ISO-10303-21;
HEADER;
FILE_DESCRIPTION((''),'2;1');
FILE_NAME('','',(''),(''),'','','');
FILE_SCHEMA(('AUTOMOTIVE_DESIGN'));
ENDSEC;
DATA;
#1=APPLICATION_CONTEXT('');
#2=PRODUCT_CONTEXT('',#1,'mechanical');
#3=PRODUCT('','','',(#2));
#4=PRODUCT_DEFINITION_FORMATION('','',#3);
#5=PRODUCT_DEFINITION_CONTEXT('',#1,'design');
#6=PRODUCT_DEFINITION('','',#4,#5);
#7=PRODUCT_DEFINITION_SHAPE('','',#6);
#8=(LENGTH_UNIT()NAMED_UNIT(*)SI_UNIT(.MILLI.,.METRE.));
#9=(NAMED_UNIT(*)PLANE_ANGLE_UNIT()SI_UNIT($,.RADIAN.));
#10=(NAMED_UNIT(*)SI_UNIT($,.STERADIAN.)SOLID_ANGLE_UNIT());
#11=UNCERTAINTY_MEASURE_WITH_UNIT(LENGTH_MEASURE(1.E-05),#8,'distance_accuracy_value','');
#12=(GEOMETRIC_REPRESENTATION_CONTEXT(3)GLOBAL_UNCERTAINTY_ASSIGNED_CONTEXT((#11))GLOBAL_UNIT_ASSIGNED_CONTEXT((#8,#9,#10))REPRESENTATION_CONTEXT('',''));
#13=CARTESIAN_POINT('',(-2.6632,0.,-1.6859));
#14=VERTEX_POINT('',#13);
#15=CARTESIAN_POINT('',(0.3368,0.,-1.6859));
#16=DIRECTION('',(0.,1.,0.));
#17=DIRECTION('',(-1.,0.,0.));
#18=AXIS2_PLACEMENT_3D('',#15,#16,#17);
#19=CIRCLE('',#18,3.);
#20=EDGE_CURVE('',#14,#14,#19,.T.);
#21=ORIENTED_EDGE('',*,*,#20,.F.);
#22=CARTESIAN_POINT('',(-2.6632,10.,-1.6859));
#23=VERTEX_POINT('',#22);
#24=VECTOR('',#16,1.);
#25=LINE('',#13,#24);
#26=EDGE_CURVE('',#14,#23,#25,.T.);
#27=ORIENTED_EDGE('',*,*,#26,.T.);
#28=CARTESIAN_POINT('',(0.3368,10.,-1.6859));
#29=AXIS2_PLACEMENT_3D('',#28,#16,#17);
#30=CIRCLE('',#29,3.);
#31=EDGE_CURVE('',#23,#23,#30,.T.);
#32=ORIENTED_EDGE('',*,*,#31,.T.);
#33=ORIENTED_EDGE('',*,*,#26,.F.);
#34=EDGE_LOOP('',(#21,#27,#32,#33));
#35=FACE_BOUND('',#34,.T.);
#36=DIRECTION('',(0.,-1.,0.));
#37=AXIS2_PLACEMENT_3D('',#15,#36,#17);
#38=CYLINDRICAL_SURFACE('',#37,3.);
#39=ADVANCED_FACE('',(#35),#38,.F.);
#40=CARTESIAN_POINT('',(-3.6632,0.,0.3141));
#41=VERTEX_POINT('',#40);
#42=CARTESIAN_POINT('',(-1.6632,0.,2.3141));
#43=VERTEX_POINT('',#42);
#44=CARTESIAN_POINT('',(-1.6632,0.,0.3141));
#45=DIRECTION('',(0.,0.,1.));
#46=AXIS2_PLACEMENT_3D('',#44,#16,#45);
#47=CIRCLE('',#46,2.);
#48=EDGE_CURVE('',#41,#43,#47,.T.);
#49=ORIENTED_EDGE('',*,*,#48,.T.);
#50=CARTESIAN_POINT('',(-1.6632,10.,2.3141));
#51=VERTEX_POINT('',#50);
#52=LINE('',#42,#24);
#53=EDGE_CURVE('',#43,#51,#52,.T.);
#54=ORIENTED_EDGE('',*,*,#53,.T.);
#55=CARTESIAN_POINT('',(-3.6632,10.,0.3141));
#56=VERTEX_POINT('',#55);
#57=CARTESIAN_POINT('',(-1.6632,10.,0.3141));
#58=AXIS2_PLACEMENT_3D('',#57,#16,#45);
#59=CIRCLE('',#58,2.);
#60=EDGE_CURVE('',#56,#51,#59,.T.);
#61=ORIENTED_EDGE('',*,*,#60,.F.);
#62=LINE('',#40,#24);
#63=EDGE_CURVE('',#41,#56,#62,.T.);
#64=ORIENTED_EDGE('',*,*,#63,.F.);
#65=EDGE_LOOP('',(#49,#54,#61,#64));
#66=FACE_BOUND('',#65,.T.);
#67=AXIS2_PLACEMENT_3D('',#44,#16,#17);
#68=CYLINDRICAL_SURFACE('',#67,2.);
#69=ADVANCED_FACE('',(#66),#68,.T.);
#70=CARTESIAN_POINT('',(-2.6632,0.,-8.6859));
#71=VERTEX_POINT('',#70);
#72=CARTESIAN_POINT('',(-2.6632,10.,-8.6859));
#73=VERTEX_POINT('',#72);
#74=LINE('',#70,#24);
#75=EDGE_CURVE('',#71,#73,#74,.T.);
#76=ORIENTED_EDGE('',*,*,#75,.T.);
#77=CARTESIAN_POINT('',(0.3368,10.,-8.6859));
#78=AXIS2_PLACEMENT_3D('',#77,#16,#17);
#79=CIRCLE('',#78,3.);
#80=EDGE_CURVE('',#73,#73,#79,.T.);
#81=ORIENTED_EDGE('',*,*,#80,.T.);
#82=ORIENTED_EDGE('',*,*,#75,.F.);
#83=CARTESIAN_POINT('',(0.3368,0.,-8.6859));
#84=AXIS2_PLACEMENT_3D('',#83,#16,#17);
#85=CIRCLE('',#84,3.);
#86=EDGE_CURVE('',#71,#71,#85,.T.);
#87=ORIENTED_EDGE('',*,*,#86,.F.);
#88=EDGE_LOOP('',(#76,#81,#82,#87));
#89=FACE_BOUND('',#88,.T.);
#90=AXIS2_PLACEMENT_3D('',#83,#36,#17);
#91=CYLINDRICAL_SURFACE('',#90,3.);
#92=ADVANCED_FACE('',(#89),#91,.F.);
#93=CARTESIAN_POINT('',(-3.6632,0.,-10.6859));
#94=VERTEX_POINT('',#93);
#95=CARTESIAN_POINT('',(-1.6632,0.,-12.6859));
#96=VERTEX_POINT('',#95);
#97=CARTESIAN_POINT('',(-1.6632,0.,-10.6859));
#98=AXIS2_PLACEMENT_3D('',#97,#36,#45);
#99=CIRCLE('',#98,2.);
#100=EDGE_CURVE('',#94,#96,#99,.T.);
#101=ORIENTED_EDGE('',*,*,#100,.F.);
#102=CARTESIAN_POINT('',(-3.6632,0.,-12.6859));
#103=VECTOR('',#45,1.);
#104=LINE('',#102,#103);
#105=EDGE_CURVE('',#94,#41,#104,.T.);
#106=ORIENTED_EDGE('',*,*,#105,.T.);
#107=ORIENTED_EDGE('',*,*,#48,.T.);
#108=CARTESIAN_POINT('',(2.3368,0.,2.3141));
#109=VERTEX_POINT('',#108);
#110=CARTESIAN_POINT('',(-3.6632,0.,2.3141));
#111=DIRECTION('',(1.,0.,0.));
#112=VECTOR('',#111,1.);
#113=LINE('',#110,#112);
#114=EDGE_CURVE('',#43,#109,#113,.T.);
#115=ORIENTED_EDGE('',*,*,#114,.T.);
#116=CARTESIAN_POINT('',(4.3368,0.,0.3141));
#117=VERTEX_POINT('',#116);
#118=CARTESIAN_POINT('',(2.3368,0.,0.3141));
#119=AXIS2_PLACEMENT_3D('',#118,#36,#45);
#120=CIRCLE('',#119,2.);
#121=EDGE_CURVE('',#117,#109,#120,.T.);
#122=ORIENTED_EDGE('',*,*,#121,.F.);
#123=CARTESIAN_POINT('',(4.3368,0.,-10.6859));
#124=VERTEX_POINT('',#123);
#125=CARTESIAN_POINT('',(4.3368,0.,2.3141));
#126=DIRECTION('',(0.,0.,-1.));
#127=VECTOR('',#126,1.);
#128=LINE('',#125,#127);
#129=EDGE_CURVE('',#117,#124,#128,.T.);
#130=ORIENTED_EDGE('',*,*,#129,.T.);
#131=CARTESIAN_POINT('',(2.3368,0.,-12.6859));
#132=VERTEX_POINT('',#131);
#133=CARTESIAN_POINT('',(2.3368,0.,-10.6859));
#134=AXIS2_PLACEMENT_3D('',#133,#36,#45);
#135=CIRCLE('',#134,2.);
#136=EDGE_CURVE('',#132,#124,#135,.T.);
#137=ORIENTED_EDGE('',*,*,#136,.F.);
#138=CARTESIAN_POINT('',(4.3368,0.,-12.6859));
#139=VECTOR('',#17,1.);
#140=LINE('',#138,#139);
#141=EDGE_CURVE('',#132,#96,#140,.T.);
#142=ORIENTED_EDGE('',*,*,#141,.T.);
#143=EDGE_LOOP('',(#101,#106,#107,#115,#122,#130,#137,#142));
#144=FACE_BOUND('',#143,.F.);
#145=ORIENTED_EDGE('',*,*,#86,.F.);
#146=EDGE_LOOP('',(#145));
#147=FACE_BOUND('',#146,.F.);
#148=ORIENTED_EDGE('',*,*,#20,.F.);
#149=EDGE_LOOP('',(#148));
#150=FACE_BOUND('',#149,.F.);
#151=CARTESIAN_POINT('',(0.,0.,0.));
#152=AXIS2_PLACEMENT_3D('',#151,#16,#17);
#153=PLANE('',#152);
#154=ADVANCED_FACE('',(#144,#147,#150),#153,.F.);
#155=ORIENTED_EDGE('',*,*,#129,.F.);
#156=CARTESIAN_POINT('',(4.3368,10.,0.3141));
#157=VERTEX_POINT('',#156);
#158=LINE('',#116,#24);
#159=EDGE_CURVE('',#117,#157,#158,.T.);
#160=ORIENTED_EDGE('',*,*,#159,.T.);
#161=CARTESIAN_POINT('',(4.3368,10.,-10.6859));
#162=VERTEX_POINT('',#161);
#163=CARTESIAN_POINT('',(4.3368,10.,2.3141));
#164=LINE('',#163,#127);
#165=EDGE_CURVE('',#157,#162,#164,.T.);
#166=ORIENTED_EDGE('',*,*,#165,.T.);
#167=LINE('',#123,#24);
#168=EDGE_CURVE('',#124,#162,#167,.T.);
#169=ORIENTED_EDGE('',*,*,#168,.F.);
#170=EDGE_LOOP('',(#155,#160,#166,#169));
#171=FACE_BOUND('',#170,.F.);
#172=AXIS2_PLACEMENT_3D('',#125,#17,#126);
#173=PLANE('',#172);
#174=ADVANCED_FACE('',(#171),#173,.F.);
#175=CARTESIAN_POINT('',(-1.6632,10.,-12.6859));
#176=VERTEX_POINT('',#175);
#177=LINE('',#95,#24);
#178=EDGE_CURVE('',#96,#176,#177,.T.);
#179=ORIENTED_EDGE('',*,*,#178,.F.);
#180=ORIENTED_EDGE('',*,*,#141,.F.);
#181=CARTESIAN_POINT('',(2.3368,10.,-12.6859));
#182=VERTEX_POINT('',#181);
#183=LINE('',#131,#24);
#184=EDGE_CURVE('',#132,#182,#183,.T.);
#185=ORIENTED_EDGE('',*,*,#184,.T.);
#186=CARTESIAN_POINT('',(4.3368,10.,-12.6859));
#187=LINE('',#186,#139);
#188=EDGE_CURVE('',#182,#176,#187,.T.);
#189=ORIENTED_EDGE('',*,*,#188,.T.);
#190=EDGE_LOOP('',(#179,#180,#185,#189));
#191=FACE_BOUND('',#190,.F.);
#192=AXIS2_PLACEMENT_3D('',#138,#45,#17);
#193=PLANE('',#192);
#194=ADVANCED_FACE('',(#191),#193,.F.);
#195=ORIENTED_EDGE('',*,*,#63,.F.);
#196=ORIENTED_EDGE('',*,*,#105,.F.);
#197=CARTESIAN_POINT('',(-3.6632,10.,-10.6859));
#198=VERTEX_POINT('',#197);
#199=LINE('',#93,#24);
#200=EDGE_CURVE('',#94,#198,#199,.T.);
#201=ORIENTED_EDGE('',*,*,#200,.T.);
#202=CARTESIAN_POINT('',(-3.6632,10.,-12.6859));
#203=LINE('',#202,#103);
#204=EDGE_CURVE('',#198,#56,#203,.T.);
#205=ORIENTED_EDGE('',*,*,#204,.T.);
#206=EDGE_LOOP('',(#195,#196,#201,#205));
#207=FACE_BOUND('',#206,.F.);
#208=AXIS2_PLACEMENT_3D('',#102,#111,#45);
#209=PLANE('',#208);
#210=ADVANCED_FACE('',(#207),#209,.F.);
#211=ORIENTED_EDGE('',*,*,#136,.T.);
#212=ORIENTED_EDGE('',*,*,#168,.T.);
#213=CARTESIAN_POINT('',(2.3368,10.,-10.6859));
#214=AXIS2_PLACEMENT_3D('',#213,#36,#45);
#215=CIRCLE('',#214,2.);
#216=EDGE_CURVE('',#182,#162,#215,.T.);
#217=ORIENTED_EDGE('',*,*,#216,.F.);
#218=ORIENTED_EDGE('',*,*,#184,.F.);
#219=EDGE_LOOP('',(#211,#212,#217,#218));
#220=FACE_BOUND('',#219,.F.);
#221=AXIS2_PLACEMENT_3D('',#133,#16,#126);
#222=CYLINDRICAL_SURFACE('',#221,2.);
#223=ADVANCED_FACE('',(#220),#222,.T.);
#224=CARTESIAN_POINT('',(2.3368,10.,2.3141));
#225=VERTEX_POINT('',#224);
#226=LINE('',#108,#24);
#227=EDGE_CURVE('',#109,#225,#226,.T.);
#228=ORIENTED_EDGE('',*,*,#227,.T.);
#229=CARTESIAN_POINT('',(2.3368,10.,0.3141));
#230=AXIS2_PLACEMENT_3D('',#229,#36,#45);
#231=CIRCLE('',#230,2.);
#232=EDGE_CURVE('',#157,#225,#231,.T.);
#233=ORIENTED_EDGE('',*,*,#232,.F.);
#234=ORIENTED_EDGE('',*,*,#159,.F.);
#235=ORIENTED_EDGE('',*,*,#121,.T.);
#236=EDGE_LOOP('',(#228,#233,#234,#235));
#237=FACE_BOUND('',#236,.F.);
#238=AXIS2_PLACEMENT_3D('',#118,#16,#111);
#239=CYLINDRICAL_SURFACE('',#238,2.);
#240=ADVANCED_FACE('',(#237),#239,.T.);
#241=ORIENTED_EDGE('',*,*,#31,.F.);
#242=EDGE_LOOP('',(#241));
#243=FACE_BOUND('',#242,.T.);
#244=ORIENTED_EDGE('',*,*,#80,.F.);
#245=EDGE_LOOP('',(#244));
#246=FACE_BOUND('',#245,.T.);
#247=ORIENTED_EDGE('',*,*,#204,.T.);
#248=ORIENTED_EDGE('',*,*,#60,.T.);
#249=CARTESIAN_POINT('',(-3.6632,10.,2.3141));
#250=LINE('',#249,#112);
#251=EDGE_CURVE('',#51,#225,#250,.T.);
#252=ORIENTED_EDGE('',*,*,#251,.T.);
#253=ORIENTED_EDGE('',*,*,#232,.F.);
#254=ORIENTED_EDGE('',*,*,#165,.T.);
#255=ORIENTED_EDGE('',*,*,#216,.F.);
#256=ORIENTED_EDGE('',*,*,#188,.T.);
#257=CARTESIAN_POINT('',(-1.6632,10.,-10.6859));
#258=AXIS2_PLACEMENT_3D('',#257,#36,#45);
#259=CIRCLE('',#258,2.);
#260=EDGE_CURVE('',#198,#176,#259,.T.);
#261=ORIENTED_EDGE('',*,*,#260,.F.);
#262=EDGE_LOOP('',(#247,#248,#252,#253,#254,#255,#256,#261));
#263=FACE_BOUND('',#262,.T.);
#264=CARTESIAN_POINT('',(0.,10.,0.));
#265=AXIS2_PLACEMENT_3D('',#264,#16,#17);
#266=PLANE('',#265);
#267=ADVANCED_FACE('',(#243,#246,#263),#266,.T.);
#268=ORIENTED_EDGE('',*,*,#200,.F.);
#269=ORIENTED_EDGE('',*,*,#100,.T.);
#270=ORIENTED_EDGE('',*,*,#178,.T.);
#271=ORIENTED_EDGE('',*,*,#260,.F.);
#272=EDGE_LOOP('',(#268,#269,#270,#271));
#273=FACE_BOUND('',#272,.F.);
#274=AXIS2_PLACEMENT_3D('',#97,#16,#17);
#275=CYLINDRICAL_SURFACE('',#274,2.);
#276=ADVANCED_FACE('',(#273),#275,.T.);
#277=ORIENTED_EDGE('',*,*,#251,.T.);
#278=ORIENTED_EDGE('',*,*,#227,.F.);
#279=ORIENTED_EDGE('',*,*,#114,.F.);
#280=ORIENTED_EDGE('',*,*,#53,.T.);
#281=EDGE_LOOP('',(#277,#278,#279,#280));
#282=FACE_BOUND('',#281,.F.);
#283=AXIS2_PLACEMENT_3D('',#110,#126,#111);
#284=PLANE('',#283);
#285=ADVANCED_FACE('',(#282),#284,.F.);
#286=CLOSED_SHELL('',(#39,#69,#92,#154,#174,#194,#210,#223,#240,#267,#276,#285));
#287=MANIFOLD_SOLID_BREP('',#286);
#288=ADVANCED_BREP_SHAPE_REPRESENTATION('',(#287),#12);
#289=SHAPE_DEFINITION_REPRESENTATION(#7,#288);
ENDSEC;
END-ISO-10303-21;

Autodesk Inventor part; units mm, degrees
ref_plane "YZ Plane" through (0, 0, 0) normal (1, 0, 0) x (0, 1, 0)
ref_plane "XZ Plane" through (0, 0, 0) normal (0, 1, 0) x (-1, 0, 0)
ref_plane "XY Plane" through (0, 0, 0) normal (0, 0, 1) x (1, 0, 0)
sketch "Szkic1" plane through (0, 0, 0) normal (0, 1, 0) x (-1, 0, 0)
  circle A0 centre (-0.3368, -8.6859) radius 3
  circle A1 centre (-0.3368, -1.6859) radius 3
  line L0 (3.6632, 2.3141) -> (-4.3368, 2.3141)
  line L1 (-4.3368, 2.3141) -> (-4.3368, -12.6859)
  line L2 (-4.3368, -12.6859) -> (3.6632, -12.6859)
  line L3 (3.6632, -12.6859) -> (3.6632, 2.3141)
  point P0 (0, 0)
  dimension "d0" = 6
  dimension "d1" = 6
  dimension "d2" = 7
  dimension "d3" = 8
  dimension "d4" = 15
  dimension "d5" = 4
  dimension "d6" = 4
extrude "Wyciągnięcie proste1" add sketch "Szkic1" along normal blind 10
fillet "Zaokrąglenie1" radius 2 4 edges at (4.3368, 5, 2.3141) (-3.6632, 5, 2.3141) (4.3368, 5, -12.6859) (-3.6632, 5, -12.6859)
properties part number "obudowa"
